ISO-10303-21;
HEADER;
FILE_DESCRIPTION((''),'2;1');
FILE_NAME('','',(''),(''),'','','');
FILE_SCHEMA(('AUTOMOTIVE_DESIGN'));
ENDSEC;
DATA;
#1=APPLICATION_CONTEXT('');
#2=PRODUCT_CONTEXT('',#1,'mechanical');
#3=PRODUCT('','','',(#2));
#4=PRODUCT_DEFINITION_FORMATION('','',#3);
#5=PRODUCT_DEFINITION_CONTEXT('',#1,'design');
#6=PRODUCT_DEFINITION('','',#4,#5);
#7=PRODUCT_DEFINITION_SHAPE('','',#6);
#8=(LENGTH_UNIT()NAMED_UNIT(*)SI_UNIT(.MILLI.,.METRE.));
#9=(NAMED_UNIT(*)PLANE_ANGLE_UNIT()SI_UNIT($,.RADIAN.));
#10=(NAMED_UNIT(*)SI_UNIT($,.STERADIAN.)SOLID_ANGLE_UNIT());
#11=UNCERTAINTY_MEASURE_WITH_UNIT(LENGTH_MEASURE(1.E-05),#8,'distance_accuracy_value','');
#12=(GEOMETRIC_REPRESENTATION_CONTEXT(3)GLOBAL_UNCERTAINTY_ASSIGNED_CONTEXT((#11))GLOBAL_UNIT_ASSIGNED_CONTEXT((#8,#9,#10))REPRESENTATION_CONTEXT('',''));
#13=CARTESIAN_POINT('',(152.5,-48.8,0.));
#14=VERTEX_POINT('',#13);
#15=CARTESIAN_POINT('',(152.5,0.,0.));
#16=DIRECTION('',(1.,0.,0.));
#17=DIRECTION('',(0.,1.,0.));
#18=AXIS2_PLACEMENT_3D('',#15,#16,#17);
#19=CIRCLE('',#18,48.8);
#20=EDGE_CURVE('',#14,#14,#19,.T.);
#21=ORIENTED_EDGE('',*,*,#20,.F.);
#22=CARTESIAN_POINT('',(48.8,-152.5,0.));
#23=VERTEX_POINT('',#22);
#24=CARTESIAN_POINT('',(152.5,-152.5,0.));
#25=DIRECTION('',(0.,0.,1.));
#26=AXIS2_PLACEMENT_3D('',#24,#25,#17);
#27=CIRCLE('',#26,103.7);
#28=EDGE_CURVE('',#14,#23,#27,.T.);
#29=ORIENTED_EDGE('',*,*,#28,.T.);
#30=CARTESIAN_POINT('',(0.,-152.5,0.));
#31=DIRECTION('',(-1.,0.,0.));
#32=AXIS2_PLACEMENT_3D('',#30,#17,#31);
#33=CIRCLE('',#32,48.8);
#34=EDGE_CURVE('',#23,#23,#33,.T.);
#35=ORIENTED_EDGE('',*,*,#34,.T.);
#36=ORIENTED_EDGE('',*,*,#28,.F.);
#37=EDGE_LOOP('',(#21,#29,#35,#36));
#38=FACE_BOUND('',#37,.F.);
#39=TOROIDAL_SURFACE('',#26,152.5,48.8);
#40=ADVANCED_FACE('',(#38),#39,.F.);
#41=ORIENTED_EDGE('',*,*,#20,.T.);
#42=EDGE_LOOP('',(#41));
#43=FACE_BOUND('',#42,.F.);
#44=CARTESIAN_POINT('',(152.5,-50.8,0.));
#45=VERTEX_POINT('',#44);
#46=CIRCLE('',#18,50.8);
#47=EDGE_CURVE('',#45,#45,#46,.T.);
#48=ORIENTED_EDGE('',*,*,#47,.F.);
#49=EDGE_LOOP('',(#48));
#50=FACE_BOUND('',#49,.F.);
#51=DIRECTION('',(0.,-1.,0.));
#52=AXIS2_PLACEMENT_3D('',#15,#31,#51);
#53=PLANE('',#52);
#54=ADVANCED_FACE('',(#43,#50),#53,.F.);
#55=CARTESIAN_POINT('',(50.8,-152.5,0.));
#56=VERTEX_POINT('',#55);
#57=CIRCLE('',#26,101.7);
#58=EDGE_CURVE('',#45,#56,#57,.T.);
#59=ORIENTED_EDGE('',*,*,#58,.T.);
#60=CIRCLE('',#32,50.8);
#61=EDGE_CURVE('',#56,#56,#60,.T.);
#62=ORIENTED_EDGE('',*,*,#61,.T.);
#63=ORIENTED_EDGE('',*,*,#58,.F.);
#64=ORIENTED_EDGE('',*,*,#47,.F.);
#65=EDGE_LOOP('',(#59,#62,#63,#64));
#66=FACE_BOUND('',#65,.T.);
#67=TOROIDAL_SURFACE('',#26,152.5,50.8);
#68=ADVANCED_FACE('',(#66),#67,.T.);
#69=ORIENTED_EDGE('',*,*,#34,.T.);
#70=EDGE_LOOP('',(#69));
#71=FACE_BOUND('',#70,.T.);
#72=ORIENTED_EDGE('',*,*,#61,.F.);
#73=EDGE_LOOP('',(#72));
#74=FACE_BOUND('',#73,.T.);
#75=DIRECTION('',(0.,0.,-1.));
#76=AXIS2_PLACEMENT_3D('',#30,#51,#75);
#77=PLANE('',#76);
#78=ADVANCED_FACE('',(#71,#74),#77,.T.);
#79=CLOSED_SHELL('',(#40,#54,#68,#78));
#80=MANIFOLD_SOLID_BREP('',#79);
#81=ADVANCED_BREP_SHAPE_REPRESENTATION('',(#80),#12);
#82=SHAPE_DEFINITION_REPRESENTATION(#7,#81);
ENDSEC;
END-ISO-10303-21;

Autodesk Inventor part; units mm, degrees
ref_plane "YZ Plane" through (0, 0, 0) normal (1, 0, 0) x (0, 1, 0)
ref_plane "XZ Plane" through (0, 0, 0) normal (0, 1, 0) x (-1, 0, 0)
sketch "Szkic6" plane through (0, 0, 0) normal (0, 0, 1) x (1, 0, 0)
  line L0 (-29.6067, 0) -> (35.2678, 0) construction
  line L1 (0, 42.3419) -> (0, -58.3726) construction
  arc A0 (152.5, 0) -> (0, -152.5) centre (152.5, -152.5) ccw
  line L2 (0, -152.5) -> (152.5, -152.5) construction
  line L3 (152.5, -152.5) -> (152.5, -86.9669) construction
  line L4 (152.5, 0) -> (152.5, 0)
  line L5 (0, -152.5) -> (0, -152.5)
  point P0 (0, 0)
  dimension "d24" = 152.5
  dimension "d31" = 90
  dimension "d36" = 0
  dimension "d37" = 0
ref_plane "Płaszczyzna konstrukcyjna2" through (0, -152.5, 0) normal (0, -1, 0) x (1, 0, 0)
sketch "Szkic8" plane through (0, -152.5, 0) normal (0, -1, 0) x (1, 0, 0)
  circle A0 centre (0, 0) radius 50.8
  circle A1 centre (0, 0) radius 48.8
  dimension "d32" = 101.6
  dimension "d33" = 2
sweep "Przeciągnięcie2" add profiles "Szkic8" path "Szkic6"
equation "\"d32\" = OD"
equation "\"d33\" = THK"
equation "\"d24\" = R"
equation "\"d31\" = KAT"
equation "\"SzerokośćGięciaPodcięcia\" = Grubość"
equation "\"RozmiarPodcięciaNarożnika\" = 4 * Grubość"
equation "\"PromieńPrzejścia\" = PromieńGięcia"
equation "\"Rozmiar_promienia_Jacobiego\" = PromieńGięcia"
equation "\"Wielk_odstępu\" = Grubość"
equation "\"d2\" = PromieńGięcia"
equation "\"d23\" = PromieńGięcia"
equation "\"R\" = 152.5"
equation "\"OD\" = 101.6"
equation "\"THK\" = 2"
equation "\"KAT\" = 90deg"
equation "\"PROSTKA\" = 0"
equation "\"Grubość\" = 1.5"
equation "\"PromieńGięcia\" = 3"
properties part number "Kolano 90° ø101,6x2 R152,5" material "304L"
